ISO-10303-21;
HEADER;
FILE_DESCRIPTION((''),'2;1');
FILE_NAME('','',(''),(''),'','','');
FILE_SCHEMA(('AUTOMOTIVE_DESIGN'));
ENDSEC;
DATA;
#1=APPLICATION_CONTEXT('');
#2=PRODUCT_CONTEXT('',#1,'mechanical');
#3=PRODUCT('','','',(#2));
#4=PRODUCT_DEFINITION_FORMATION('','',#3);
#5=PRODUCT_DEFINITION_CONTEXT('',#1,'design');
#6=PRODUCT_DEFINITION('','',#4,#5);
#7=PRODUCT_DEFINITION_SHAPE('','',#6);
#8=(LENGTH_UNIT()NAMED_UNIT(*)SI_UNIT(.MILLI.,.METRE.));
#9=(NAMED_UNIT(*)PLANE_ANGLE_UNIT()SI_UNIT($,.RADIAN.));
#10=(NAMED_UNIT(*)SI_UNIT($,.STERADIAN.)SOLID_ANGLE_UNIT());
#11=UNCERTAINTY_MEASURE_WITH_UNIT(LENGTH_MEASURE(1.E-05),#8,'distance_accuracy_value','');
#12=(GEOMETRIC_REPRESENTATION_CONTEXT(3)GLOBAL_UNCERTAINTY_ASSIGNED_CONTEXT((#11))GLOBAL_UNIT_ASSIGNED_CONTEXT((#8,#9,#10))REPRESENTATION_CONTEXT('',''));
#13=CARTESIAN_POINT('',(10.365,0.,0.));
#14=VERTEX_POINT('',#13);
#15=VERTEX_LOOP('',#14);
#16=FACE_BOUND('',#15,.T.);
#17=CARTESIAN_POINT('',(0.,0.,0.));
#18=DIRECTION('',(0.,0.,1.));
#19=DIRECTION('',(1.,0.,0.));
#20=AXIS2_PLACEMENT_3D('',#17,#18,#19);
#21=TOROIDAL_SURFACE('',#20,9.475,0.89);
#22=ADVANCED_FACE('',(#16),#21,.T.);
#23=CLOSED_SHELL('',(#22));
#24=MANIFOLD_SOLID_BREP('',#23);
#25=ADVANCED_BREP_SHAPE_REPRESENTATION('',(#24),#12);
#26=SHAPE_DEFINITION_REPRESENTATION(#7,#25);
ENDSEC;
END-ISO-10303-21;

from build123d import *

# Parameters (mm, degrees)
SKETCH1_R = 0.89


with BuildPart() as part:
    # Sketch1 → Revolve1 (revolve)
    with BuildSketch(Plane(origin=(0, 0, 0), x_dir=(0, 0, -1), z_dir=(1, 0, 0)), mode=Mode.PRIVATE) as revolve1_sk:
        with Locations((0, 9.475)):
            Circle(SKETCH1_R)
    revolve(revolve1_sk.sketch.rotate(Axis((0, 0, 0), (0, 0, -1)), 90), axis=Axis((0, 0, 0), (0, 0, -1)))


solid = part.part
